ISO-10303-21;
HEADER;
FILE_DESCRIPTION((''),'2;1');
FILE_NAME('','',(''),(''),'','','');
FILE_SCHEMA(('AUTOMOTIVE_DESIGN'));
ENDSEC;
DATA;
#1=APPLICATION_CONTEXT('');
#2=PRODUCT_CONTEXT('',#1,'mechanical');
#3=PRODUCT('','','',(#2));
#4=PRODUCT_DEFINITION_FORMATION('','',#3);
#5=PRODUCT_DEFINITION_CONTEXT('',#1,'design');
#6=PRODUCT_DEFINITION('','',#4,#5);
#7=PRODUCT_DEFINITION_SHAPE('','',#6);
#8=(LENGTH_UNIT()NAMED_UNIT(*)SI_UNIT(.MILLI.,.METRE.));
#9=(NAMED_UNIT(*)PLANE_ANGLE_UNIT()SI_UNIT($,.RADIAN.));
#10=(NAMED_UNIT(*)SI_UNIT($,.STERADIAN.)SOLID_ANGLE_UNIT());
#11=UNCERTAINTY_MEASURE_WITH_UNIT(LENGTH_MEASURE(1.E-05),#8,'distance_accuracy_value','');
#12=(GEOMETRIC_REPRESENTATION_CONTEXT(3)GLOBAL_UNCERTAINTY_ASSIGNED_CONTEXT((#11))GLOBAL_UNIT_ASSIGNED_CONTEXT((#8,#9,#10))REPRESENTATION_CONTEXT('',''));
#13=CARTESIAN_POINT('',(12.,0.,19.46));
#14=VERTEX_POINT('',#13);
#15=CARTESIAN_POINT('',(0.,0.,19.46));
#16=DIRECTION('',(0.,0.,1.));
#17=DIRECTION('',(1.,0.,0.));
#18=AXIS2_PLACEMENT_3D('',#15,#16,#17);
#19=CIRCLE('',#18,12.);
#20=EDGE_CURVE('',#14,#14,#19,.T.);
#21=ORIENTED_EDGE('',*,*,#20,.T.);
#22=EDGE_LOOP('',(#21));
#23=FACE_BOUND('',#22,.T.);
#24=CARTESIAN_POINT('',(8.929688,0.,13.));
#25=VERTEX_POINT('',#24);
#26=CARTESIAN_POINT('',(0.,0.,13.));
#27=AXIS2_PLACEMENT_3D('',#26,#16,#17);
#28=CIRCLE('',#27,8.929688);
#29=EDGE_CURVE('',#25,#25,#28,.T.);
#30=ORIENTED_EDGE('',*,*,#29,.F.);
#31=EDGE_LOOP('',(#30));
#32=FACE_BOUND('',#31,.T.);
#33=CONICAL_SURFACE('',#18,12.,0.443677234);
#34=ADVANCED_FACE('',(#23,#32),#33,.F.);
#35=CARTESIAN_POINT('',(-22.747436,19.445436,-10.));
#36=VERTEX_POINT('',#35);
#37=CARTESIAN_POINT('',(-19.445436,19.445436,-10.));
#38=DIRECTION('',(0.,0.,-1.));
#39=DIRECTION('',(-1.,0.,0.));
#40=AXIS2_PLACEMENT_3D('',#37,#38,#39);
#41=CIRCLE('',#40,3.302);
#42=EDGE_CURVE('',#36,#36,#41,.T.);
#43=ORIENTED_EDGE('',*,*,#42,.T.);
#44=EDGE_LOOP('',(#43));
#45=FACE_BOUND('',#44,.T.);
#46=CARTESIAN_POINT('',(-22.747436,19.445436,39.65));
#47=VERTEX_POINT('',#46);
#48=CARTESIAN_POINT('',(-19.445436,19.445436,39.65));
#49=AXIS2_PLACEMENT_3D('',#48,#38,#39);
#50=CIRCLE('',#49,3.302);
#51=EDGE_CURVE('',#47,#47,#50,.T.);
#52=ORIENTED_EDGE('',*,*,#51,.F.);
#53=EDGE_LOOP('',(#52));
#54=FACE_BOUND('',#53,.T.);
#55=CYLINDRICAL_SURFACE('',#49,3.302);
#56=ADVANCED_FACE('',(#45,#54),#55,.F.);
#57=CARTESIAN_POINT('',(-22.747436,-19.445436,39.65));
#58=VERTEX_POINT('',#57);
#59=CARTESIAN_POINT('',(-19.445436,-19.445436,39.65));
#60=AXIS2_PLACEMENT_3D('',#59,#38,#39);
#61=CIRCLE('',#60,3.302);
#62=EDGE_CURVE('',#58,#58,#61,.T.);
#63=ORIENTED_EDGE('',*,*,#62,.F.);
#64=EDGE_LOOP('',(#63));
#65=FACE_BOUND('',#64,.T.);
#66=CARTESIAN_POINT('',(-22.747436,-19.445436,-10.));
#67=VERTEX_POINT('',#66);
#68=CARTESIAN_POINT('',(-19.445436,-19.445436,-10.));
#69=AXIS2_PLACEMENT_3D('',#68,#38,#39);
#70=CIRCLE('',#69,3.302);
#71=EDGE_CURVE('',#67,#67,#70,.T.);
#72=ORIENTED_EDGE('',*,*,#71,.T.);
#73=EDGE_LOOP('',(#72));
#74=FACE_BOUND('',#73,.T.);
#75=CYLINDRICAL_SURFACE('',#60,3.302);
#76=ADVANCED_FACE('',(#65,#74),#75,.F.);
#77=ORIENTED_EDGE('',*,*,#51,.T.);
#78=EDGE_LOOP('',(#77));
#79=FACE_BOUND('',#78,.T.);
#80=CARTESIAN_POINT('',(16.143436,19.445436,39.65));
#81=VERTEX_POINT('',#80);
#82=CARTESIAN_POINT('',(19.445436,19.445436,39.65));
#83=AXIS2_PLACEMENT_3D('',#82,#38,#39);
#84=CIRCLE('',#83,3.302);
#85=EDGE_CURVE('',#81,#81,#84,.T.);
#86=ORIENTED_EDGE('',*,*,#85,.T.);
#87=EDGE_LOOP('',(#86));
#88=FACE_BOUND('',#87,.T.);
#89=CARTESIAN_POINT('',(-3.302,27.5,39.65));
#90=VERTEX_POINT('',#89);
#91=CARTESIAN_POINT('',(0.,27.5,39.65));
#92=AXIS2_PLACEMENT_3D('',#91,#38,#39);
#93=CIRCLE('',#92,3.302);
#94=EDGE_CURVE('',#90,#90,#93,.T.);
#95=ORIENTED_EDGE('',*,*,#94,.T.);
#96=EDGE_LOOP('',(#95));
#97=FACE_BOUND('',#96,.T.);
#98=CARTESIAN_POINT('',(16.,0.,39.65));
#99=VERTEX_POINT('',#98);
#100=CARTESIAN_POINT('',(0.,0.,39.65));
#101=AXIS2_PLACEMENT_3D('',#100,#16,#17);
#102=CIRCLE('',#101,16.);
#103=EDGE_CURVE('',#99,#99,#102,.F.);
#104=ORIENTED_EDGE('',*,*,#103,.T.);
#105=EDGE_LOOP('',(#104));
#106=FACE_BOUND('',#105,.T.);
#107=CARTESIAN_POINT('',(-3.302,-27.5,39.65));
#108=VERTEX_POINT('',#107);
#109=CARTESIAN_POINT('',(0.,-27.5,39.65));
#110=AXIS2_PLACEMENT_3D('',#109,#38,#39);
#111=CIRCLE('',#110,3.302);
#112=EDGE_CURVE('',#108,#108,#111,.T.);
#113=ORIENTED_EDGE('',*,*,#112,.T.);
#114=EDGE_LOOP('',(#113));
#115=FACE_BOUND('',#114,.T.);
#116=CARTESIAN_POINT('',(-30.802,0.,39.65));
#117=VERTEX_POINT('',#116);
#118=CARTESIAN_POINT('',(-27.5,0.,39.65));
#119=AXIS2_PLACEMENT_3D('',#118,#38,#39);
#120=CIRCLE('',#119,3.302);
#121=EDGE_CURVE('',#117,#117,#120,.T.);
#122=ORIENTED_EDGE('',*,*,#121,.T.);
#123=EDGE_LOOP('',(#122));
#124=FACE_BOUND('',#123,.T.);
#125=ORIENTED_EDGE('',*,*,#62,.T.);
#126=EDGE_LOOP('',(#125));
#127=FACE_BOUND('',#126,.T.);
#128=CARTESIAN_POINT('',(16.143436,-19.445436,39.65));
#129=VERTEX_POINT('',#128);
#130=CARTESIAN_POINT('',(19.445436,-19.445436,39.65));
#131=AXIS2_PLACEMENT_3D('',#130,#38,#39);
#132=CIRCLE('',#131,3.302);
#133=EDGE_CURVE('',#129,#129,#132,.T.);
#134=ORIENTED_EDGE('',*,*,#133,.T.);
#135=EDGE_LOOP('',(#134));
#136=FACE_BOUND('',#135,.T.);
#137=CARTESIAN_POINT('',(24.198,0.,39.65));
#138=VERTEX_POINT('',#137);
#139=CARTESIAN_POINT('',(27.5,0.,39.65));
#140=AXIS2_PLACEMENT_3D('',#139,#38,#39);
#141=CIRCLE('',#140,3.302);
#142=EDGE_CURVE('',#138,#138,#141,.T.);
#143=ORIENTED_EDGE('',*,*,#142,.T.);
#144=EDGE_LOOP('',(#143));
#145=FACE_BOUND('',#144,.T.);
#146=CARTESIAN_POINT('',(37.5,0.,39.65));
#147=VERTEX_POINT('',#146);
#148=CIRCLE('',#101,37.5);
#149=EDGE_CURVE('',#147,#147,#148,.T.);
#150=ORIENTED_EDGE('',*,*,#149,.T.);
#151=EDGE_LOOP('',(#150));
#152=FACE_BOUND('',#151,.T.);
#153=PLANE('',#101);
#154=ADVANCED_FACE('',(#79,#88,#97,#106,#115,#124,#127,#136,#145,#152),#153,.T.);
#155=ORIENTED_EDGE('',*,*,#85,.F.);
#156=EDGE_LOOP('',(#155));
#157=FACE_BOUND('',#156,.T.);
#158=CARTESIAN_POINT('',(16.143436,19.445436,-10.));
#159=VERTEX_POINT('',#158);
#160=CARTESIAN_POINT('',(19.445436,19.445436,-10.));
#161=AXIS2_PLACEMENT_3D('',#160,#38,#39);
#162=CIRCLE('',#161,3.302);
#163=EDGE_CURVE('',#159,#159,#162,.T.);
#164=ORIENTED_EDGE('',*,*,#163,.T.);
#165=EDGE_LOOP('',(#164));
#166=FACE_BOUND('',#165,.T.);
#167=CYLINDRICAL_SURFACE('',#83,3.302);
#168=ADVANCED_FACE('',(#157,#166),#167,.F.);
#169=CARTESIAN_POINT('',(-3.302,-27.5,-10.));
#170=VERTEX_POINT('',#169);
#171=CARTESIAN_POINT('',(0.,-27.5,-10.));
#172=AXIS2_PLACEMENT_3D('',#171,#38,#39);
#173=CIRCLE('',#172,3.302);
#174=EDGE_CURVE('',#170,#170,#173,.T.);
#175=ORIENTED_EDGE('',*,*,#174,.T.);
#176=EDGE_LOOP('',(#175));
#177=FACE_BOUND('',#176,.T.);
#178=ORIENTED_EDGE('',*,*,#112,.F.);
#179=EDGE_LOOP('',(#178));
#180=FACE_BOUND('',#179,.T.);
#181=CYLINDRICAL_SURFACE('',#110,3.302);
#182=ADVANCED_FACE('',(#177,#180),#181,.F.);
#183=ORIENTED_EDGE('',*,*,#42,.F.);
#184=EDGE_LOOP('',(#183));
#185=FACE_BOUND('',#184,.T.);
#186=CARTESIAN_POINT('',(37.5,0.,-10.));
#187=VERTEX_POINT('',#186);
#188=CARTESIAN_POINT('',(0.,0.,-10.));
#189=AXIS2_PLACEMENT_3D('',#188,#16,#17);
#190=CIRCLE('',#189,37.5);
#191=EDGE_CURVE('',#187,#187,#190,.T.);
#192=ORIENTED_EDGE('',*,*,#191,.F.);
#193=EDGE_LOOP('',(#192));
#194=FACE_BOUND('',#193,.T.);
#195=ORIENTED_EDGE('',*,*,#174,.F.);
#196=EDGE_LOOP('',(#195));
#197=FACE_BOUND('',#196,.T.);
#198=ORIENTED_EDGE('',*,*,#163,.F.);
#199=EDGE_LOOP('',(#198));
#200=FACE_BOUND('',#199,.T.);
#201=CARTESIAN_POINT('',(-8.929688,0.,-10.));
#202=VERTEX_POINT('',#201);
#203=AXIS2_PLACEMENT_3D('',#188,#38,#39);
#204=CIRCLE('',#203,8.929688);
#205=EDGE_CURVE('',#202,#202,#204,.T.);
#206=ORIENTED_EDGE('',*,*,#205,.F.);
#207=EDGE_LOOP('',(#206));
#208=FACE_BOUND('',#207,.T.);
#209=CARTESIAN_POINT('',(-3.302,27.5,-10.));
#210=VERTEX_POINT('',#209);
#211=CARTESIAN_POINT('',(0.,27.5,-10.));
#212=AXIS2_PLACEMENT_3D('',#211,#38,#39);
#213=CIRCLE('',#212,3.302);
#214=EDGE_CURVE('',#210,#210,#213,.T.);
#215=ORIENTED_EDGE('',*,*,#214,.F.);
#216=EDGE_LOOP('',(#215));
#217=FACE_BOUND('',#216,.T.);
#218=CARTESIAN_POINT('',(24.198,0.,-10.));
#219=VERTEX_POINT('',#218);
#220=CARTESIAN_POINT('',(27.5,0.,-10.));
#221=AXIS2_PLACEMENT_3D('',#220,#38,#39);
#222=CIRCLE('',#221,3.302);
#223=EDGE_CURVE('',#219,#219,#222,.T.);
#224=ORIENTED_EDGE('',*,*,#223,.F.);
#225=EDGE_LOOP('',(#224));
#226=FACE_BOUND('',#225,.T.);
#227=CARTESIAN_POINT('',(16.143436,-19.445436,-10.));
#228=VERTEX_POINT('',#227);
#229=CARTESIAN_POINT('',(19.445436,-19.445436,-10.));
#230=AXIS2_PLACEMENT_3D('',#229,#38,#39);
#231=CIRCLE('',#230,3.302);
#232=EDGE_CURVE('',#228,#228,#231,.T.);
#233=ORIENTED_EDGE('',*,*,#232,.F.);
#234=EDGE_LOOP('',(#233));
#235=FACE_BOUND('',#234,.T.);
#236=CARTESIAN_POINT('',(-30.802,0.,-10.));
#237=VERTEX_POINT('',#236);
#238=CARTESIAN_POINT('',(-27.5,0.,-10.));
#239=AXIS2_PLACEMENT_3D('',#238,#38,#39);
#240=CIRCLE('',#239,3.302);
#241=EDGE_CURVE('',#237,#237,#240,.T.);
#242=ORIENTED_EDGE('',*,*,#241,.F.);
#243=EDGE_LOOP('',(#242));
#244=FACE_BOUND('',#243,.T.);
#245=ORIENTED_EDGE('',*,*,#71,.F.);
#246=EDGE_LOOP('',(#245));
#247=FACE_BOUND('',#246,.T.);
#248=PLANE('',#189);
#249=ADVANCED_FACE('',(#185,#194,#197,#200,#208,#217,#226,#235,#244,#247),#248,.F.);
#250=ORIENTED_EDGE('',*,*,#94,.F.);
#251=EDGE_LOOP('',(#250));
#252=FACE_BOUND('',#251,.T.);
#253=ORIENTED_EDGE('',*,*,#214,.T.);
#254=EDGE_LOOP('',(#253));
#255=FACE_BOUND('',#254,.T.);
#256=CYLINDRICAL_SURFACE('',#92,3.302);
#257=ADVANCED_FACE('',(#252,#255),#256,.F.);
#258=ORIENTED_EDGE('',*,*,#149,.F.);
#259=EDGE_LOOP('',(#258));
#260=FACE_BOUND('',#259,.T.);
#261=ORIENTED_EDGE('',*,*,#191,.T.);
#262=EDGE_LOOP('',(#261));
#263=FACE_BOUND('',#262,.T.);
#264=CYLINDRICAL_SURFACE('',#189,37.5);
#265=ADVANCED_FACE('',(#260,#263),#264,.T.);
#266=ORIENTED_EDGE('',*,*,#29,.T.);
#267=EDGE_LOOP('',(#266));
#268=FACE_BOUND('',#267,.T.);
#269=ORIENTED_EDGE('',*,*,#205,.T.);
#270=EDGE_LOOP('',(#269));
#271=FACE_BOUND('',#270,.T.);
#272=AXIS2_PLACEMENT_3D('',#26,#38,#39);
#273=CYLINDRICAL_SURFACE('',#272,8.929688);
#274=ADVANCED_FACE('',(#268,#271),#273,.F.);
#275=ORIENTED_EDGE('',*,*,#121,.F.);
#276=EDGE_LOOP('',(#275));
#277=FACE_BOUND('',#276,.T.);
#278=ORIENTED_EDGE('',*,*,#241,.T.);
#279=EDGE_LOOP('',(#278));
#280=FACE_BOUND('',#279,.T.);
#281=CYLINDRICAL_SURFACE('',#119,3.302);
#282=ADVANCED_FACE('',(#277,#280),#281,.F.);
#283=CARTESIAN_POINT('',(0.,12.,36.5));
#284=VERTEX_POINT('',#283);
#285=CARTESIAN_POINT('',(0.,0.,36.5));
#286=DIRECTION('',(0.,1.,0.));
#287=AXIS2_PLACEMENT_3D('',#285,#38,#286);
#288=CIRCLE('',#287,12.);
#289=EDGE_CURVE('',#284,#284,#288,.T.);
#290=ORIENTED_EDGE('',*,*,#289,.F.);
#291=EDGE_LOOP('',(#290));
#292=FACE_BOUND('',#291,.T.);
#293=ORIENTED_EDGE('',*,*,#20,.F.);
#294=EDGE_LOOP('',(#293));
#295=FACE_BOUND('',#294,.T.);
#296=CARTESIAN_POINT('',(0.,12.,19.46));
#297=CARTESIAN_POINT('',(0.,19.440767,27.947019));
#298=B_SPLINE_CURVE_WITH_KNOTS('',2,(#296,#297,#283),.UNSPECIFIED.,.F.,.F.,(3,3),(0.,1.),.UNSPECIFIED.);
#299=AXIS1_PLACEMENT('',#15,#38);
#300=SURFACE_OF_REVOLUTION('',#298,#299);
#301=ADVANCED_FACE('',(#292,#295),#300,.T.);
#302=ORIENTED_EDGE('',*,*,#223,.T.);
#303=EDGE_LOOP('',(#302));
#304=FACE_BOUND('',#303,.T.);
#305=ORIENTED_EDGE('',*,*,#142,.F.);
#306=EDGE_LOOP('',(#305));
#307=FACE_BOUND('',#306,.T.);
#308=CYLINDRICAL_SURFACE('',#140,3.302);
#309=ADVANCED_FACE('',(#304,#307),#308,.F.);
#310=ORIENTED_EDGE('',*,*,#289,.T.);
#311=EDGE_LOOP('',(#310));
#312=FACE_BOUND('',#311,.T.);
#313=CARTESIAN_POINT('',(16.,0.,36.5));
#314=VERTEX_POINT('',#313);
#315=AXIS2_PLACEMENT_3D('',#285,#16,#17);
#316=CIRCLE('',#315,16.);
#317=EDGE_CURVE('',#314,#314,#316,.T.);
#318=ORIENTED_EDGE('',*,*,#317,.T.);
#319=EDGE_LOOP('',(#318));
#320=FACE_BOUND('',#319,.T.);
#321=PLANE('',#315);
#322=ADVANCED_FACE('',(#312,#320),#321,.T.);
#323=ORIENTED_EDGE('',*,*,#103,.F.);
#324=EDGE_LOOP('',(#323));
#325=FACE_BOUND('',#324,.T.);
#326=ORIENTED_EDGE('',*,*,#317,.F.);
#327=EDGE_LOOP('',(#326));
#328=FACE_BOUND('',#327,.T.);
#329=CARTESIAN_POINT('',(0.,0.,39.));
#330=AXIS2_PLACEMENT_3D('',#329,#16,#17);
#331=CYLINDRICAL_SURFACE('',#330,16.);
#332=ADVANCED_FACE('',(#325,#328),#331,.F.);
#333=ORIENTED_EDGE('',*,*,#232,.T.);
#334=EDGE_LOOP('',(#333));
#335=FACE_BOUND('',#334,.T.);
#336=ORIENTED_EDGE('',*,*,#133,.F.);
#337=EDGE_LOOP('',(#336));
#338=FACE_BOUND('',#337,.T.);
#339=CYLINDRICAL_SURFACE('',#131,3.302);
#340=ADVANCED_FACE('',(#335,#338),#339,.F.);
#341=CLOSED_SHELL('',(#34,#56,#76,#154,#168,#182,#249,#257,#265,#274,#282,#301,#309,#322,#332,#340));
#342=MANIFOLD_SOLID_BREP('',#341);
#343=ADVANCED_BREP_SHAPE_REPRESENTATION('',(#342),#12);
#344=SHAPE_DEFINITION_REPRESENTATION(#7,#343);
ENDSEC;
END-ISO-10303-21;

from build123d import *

# Parameters (mm, degrees)
BOSS_EXTRUDE1_DEPTH      = 55
BOSS_EXTRUDE1_DEPTH_BACK = 10
SKETCH1_R                = 37.5
SKETCH2_R                = 16
CUT_EXTRUDE1_DEPTH       = 16
SKETCH3_R                = 16
CUT_EXTRUDE2_DEPTH       = 2.5
SKETCH6_R                = 8.9296875
CUT_EXTRUDE3_DEPTH       = 23
SKETCH7_R                = 37.5
CUT_EXTRUDE4_DEPTH       = 15.35
SKETCH9_R                = 3.302
BOLT_HOLES_DEPTH         = 73.647247023


with BuildPart() as part:
    # Sketch1 → Boss-Extrude1 (new, two sides: drawn at the far end of the back side and taken through both)
    with BuildSketch(Plane.XY.offset(-BOSS_EXTRUDE1_DEPTH_BACK)):
        Circle(SKETCH1_R)
    extrude(amount=BOSS_EXTRUDE1_DEPTH + BOSS_EXTRUDE1_DEPTH_BACK)

    # Sketch2 → Cut-Extrude1 (cut)
    with BuildSketch(Plane.XY.offset(55)):
        Circle(SKETCH2_R)
    extrude(amount=-CUT_EXTRUDE1_DEPTH, mode=Mode.SUBTRACT)

    # Sketch3 → Cut-Extrude2 (cut)
    with BuildSketch(Plane.XY.offset(39)):
        Circle(SKETCH3_R)
    extrude(amount=-CUT_EXTRUDE2_DEPTH, mode=Mode.SUBTRACT)

    # Sketch4 → Aortic Root (revolve, cut)
    with BuildSketch(Plane(origin=(0, 0, 0), x_dir=(0, 0, -1), z_dir=(1, 0, 0)), mode=Mode.PRIVATE) as aortic_root_sk:
        with BuildLine():
            Line((-19.46, 12), (-19.46, 0))
            Line((-19.46, 0), (-36.5, 0))
            Line((-36.5, 0), (-36.5, 12))
            add(Edge.make_bspline(
                [(-36.5, 12), (-27.947018525, 19.440766671), (-19.46, 12)],
                knots=[0, 0, 0, 1, 1, 1], degree=2))
        make_face()
    revolve(aortic_root_sk.sketch.rotate(Axis((0, 0, 19.46), (0, 0, 1)), 270), axis=Axis((0, 0, 19.46), (0, 0, 1)), mode=Mode.SUBTRACT)

    # Sketch6 → Cut-Extrude3 (cut)
    with BuildSketch(Plane(origin=(0, 0, -10), x_dir=(-1, 0, 0), z_dir=(0, 0, -1))):
        Circle(SKETCH6_R)
    extrude(amount=-CUT_EXTRUDE3_DEPTH, mode=Mode.SUBTRACT)

    # Sketch7 → Cut-Extrude4 (cut)
    with BuildSketch(Plane.XY.offset(55)):
        Circle(SKETCH7_R)
    extrude(amount=-CUT_EXTRUDE4_DEPTH, mode=Mode.SUBTRACT)

    # Sketch9 → Bolt holes (cut, through all)
    with BuildSketch(Plane(origin=(0, 0, -10), x_dir=(-1, 0, 0), z_dir=(0, 0, -1))):
        with Locations((0, -27.5)):
            Circle(SKETCH9_R)
        with Locations((-19.445436483, -19.445436483)):
            Circle(SKETCH9_R)
        with Locations((-27.5, 0)):
            Circle(SKETCH9_R)
        with Locations((-19.445436483, 19.445436483)):
            Circle(SKETCH9_R)
        with Locations((0, 27.5)):
            Circle(SKETCH9_R)
        with Locations((19.445436483, 19.445436483)):
            Circle(SKETCH9_R)
        with Locations((27.5, 0)):
            Circle(SKETCH9_R)
        with Locations((19.445436483, -19.445436483)):
            Circle(SKETCH9_R)
    extrude(amount=-BOLT_HOLES_DEPTH, mode=Mode.SUBTRACT)

    # Sketch12 → Cut-Revolve1 (revolve, cut)
    with BuildSketch(Plane(origin=(0, 0, 0), x_dir=(1, 0, 0), z_dir=(0, 1, 0))):
        Polygon((0, -19.46), (0, -13), (8.9296875, -13), (12, -19.46), align=None)
    revolve(axis=Axis((0, 0, 19.46), (0, 0, -1)), mode=Mode.SUBTRACT)


solid = part.part
